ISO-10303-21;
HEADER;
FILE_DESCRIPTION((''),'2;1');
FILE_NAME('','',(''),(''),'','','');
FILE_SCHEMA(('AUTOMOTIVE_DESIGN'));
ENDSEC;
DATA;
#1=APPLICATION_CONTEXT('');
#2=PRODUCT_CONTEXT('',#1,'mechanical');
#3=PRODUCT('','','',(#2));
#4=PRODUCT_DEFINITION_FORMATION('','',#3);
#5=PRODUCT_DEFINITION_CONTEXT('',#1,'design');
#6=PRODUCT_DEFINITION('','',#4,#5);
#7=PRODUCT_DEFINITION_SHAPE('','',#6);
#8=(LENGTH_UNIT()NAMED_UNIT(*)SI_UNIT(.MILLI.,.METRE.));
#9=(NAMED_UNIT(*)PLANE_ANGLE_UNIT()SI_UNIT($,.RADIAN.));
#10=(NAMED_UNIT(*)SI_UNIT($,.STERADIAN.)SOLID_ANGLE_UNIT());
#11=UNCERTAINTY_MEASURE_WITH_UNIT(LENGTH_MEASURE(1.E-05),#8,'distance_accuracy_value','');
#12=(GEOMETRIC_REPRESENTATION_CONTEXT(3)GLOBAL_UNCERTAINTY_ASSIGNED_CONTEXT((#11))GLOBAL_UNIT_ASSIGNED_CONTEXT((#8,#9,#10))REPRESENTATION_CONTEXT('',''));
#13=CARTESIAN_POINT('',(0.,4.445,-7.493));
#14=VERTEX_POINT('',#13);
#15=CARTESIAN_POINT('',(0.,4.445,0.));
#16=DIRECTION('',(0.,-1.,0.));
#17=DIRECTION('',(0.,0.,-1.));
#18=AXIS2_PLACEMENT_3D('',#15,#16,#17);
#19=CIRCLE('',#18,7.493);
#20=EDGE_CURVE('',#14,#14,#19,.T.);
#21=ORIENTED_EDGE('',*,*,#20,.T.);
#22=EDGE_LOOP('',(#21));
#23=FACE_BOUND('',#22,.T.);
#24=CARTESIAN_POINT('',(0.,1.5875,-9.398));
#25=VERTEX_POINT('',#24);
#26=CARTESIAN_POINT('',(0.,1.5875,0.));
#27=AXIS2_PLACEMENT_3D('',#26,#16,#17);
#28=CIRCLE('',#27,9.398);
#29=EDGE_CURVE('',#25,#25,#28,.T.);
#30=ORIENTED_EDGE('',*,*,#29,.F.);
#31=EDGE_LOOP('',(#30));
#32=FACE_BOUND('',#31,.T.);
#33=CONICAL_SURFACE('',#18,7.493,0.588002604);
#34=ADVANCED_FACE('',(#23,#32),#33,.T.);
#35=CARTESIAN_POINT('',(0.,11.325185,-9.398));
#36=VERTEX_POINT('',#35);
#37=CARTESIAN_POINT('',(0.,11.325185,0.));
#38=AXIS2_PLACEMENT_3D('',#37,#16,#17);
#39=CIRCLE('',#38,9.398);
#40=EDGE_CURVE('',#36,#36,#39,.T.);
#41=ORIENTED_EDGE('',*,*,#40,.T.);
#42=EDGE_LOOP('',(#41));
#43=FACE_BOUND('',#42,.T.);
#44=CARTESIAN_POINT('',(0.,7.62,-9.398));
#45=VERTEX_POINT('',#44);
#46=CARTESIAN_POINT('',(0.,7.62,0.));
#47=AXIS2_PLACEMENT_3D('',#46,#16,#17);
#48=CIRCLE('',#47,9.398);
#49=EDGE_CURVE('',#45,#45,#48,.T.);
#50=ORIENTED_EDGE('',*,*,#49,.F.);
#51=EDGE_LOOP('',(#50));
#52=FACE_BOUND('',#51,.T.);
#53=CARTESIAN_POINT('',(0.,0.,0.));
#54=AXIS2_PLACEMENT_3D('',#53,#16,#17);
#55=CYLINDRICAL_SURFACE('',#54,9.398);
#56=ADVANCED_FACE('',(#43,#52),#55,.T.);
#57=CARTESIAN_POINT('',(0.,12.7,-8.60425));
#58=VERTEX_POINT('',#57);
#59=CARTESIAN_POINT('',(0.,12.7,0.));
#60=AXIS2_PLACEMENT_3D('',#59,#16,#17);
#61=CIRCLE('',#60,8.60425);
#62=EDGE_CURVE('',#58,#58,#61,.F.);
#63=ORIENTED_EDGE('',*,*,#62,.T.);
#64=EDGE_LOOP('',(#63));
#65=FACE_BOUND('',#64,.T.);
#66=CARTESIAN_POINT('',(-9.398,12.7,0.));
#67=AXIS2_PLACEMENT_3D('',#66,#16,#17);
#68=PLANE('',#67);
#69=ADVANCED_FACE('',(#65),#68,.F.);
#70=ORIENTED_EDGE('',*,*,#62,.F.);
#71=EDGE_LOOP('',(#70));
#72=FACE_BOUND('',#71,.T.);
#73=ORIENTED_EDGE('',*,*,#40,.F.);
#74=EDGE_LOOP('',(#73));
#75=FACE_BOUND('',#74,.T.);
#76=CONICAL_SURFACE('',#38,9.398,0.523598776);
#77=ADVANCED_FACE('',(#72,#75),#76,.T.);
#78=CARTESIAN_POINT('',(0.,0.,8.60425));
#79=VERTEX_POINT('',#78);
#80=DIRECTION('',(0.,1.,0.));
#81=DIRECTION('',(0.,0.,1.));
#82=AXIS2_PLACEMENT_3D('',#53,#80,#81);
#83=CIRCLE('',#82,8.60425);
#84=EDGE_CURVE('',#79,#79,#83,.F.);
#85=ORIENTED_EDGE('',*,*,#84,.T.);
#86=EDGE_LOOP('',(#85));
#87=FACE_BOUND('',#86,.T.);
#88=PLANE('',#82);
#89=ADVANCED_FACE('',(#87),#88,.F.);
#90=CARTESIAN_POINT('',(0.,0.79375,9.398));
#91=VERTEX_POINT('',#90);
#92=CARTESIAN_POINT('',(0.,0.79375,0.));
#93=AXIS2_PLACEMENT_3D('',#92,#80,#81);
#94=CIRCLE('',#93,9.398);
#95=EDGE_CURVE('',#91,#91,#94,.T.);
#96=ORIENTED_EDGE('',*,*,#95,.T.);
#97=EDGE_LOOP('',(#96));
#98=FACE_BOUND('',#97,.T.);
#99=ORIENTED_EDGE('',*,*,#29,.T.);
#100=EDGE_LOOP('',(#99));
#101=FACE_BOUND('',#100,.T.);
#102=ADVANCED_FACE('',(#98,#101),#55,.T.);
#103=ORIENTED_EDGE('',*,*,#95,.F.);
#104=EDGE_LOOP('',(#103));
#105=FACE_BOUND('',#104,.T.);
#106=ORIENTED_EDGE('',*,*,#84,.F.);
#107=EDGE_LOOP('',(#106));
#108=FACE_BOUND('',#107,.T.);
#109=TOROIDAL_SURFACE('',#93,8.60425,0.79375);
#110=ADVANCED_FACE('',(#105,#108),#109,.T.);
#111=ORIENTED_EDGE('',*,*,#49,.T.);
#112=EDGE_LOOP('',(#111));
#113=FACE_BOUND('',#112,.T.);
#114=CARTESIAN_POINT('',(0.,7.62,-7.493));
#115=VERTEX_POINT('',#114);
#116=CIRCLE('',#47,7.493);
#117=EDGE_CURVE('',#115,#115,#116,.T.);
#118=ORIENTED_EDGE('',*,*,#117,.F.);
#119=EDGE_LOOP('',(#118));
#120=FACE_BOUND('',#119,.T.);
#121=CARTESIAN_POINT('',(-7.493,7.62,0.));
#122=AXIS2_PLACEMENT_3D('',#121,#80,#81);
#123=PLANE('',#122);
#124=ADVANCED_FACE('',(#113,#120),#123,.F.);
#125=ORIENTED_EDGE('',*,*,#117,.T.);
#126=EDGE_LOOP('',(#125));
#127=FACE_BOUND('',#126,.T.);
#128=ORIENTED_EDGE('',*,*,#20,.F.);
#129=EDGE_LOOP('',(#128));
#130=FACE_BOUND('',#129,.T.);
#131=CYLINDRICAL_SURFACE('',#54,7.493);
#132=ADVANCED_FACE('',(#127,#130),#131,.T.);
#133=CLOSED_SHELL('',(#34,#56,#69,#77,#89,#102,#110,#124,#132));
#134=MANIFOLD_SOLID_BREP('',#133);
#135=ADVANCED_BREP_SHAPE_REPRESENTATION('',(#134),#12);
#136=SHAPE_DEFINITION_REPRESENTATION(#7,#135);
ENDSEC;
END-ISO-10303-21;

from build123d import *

# Parameters (mm, degrees)
FILLET1_R      = 0.79375
CHAMFER1_SIZE  = 0.79375
CHAMFER1_SIZE2 = 1.374815329


with BuildPart() as part:
    # Sketch1 → Revolve1 (revolve)
    with BuildSketch(Plane.XY):
        Polygon((0, 0), (-9.398, 0), (-9.398, 1.5875), (-7.493, 4.445), (-7.493, 7.62), (-9.398, 7.62), (-9.398, 12.7), (0, 12.7), align=None)
    revolve(axis=Axis((0, 0, 0), (0, 1, 0)))

    # Fillet1
    fillet1_edges = [part.edges().sort_by_distance(p)[0] for p in [
        (9.398, 0, 0),
    ]]
    fillet(fillet1_edges, radius=FILLET1_R)

    # Chamfer1
    chamfer1_edges = [part.edges().sort_by_distance(p)[0] for p in [
        (9.398, 12.7, 0),
    ]]
    chamfer1_side = [part.faces().sort_by_distance(p)[0] for p in [
        (0, 12.7, 0),
    ]]
    chamfer(chamfer1_edges, length=CHAMFER1_SIZE, length2=CHAMFER1_SIZE2, reference=chamfer1_side[0])


solid = part.part
